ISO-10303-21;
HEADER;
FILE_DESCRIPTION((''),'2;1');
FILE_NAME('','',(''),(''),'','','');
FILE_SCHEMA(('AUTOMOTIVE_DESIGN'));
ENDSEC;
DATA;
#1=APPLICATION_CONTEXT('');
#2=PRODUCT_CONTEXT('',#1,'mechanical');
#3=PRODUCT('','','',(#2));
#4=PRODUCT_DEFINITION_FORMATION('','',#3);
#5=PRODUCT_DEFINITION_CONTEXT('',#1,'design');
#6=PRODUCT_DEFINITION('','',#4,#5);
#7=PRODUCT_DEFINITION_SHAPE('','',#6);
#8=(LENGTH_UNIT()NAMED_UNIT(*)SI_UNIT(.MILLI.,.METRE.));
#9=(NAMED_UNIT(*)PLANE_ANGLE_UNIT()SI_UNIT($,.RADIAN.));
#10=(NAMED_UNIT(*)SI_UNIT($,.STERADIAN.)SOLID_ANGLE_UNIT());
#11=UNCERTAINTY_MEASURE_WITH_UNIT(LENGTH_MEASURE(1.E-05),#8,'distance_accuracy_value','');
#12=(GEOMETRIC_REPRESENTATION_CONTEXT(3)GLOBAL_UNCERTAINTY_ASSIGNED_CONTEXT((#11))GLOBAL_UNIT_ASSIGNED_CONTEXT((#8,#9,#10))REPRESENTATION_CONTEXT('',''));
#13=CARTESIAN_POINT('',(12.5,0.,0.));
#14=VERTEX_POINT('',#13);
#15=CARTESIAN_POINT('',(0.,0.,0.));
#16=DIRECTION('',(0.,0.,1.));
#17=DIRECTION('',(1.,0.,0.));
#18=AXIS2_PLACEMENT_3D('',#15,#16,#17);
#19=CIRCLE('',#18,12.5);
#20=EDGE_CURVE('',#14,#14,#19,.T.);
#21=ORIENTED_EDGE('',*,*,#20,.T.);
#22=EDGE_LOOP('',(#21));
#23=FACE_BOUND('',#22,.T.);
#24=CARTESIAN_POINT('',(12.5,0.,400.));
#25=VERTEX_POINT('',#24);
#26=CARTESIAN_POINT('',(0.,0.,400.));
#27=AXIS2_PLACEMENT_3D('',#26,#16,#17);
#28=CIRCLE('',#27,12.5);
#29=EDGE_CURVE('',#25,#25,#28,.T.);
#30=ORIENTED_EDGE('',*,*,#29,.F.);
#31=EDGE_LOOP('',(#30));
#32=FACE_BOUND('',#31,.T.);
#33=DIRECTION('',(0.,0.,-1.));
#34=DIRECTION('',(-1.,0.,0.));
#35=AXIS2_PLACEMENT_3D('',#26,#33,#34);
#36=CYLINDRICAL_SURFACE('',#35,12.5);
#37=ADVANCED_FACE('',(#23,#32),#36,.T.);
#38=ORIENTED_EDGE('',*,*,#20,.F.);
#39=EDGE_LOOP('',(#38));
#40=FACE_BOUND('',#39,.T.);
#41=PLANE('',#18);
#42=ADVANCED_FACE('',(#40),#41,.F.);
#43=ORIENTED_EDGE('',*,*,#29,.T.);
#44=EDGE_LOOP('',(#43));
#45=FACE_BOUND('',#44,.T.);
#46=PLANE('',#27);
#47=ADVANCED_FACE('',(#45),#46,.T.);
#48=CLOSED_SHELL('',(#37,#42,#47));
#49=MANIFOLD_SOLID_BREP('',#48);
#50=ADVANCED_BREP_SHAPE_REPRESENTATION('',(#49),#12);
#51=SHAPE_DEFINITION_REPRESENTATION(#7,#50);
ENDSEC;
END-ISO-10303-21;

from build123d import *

# Parameters (mm, degrees)
ESQUISSE1_R        = 12.5
BOSS_EXTRU_1_DEPTH = 400


with BuildPart() as part:
    # Esquisse1 → Boss.-Extru.1 (new body)
    with BuildSketch(Plane.XY):
        Circle(ESQUISSE1_R)
    extrude(amount=BOSS_EXTRU_1_DEPTH)


solid = part.part
